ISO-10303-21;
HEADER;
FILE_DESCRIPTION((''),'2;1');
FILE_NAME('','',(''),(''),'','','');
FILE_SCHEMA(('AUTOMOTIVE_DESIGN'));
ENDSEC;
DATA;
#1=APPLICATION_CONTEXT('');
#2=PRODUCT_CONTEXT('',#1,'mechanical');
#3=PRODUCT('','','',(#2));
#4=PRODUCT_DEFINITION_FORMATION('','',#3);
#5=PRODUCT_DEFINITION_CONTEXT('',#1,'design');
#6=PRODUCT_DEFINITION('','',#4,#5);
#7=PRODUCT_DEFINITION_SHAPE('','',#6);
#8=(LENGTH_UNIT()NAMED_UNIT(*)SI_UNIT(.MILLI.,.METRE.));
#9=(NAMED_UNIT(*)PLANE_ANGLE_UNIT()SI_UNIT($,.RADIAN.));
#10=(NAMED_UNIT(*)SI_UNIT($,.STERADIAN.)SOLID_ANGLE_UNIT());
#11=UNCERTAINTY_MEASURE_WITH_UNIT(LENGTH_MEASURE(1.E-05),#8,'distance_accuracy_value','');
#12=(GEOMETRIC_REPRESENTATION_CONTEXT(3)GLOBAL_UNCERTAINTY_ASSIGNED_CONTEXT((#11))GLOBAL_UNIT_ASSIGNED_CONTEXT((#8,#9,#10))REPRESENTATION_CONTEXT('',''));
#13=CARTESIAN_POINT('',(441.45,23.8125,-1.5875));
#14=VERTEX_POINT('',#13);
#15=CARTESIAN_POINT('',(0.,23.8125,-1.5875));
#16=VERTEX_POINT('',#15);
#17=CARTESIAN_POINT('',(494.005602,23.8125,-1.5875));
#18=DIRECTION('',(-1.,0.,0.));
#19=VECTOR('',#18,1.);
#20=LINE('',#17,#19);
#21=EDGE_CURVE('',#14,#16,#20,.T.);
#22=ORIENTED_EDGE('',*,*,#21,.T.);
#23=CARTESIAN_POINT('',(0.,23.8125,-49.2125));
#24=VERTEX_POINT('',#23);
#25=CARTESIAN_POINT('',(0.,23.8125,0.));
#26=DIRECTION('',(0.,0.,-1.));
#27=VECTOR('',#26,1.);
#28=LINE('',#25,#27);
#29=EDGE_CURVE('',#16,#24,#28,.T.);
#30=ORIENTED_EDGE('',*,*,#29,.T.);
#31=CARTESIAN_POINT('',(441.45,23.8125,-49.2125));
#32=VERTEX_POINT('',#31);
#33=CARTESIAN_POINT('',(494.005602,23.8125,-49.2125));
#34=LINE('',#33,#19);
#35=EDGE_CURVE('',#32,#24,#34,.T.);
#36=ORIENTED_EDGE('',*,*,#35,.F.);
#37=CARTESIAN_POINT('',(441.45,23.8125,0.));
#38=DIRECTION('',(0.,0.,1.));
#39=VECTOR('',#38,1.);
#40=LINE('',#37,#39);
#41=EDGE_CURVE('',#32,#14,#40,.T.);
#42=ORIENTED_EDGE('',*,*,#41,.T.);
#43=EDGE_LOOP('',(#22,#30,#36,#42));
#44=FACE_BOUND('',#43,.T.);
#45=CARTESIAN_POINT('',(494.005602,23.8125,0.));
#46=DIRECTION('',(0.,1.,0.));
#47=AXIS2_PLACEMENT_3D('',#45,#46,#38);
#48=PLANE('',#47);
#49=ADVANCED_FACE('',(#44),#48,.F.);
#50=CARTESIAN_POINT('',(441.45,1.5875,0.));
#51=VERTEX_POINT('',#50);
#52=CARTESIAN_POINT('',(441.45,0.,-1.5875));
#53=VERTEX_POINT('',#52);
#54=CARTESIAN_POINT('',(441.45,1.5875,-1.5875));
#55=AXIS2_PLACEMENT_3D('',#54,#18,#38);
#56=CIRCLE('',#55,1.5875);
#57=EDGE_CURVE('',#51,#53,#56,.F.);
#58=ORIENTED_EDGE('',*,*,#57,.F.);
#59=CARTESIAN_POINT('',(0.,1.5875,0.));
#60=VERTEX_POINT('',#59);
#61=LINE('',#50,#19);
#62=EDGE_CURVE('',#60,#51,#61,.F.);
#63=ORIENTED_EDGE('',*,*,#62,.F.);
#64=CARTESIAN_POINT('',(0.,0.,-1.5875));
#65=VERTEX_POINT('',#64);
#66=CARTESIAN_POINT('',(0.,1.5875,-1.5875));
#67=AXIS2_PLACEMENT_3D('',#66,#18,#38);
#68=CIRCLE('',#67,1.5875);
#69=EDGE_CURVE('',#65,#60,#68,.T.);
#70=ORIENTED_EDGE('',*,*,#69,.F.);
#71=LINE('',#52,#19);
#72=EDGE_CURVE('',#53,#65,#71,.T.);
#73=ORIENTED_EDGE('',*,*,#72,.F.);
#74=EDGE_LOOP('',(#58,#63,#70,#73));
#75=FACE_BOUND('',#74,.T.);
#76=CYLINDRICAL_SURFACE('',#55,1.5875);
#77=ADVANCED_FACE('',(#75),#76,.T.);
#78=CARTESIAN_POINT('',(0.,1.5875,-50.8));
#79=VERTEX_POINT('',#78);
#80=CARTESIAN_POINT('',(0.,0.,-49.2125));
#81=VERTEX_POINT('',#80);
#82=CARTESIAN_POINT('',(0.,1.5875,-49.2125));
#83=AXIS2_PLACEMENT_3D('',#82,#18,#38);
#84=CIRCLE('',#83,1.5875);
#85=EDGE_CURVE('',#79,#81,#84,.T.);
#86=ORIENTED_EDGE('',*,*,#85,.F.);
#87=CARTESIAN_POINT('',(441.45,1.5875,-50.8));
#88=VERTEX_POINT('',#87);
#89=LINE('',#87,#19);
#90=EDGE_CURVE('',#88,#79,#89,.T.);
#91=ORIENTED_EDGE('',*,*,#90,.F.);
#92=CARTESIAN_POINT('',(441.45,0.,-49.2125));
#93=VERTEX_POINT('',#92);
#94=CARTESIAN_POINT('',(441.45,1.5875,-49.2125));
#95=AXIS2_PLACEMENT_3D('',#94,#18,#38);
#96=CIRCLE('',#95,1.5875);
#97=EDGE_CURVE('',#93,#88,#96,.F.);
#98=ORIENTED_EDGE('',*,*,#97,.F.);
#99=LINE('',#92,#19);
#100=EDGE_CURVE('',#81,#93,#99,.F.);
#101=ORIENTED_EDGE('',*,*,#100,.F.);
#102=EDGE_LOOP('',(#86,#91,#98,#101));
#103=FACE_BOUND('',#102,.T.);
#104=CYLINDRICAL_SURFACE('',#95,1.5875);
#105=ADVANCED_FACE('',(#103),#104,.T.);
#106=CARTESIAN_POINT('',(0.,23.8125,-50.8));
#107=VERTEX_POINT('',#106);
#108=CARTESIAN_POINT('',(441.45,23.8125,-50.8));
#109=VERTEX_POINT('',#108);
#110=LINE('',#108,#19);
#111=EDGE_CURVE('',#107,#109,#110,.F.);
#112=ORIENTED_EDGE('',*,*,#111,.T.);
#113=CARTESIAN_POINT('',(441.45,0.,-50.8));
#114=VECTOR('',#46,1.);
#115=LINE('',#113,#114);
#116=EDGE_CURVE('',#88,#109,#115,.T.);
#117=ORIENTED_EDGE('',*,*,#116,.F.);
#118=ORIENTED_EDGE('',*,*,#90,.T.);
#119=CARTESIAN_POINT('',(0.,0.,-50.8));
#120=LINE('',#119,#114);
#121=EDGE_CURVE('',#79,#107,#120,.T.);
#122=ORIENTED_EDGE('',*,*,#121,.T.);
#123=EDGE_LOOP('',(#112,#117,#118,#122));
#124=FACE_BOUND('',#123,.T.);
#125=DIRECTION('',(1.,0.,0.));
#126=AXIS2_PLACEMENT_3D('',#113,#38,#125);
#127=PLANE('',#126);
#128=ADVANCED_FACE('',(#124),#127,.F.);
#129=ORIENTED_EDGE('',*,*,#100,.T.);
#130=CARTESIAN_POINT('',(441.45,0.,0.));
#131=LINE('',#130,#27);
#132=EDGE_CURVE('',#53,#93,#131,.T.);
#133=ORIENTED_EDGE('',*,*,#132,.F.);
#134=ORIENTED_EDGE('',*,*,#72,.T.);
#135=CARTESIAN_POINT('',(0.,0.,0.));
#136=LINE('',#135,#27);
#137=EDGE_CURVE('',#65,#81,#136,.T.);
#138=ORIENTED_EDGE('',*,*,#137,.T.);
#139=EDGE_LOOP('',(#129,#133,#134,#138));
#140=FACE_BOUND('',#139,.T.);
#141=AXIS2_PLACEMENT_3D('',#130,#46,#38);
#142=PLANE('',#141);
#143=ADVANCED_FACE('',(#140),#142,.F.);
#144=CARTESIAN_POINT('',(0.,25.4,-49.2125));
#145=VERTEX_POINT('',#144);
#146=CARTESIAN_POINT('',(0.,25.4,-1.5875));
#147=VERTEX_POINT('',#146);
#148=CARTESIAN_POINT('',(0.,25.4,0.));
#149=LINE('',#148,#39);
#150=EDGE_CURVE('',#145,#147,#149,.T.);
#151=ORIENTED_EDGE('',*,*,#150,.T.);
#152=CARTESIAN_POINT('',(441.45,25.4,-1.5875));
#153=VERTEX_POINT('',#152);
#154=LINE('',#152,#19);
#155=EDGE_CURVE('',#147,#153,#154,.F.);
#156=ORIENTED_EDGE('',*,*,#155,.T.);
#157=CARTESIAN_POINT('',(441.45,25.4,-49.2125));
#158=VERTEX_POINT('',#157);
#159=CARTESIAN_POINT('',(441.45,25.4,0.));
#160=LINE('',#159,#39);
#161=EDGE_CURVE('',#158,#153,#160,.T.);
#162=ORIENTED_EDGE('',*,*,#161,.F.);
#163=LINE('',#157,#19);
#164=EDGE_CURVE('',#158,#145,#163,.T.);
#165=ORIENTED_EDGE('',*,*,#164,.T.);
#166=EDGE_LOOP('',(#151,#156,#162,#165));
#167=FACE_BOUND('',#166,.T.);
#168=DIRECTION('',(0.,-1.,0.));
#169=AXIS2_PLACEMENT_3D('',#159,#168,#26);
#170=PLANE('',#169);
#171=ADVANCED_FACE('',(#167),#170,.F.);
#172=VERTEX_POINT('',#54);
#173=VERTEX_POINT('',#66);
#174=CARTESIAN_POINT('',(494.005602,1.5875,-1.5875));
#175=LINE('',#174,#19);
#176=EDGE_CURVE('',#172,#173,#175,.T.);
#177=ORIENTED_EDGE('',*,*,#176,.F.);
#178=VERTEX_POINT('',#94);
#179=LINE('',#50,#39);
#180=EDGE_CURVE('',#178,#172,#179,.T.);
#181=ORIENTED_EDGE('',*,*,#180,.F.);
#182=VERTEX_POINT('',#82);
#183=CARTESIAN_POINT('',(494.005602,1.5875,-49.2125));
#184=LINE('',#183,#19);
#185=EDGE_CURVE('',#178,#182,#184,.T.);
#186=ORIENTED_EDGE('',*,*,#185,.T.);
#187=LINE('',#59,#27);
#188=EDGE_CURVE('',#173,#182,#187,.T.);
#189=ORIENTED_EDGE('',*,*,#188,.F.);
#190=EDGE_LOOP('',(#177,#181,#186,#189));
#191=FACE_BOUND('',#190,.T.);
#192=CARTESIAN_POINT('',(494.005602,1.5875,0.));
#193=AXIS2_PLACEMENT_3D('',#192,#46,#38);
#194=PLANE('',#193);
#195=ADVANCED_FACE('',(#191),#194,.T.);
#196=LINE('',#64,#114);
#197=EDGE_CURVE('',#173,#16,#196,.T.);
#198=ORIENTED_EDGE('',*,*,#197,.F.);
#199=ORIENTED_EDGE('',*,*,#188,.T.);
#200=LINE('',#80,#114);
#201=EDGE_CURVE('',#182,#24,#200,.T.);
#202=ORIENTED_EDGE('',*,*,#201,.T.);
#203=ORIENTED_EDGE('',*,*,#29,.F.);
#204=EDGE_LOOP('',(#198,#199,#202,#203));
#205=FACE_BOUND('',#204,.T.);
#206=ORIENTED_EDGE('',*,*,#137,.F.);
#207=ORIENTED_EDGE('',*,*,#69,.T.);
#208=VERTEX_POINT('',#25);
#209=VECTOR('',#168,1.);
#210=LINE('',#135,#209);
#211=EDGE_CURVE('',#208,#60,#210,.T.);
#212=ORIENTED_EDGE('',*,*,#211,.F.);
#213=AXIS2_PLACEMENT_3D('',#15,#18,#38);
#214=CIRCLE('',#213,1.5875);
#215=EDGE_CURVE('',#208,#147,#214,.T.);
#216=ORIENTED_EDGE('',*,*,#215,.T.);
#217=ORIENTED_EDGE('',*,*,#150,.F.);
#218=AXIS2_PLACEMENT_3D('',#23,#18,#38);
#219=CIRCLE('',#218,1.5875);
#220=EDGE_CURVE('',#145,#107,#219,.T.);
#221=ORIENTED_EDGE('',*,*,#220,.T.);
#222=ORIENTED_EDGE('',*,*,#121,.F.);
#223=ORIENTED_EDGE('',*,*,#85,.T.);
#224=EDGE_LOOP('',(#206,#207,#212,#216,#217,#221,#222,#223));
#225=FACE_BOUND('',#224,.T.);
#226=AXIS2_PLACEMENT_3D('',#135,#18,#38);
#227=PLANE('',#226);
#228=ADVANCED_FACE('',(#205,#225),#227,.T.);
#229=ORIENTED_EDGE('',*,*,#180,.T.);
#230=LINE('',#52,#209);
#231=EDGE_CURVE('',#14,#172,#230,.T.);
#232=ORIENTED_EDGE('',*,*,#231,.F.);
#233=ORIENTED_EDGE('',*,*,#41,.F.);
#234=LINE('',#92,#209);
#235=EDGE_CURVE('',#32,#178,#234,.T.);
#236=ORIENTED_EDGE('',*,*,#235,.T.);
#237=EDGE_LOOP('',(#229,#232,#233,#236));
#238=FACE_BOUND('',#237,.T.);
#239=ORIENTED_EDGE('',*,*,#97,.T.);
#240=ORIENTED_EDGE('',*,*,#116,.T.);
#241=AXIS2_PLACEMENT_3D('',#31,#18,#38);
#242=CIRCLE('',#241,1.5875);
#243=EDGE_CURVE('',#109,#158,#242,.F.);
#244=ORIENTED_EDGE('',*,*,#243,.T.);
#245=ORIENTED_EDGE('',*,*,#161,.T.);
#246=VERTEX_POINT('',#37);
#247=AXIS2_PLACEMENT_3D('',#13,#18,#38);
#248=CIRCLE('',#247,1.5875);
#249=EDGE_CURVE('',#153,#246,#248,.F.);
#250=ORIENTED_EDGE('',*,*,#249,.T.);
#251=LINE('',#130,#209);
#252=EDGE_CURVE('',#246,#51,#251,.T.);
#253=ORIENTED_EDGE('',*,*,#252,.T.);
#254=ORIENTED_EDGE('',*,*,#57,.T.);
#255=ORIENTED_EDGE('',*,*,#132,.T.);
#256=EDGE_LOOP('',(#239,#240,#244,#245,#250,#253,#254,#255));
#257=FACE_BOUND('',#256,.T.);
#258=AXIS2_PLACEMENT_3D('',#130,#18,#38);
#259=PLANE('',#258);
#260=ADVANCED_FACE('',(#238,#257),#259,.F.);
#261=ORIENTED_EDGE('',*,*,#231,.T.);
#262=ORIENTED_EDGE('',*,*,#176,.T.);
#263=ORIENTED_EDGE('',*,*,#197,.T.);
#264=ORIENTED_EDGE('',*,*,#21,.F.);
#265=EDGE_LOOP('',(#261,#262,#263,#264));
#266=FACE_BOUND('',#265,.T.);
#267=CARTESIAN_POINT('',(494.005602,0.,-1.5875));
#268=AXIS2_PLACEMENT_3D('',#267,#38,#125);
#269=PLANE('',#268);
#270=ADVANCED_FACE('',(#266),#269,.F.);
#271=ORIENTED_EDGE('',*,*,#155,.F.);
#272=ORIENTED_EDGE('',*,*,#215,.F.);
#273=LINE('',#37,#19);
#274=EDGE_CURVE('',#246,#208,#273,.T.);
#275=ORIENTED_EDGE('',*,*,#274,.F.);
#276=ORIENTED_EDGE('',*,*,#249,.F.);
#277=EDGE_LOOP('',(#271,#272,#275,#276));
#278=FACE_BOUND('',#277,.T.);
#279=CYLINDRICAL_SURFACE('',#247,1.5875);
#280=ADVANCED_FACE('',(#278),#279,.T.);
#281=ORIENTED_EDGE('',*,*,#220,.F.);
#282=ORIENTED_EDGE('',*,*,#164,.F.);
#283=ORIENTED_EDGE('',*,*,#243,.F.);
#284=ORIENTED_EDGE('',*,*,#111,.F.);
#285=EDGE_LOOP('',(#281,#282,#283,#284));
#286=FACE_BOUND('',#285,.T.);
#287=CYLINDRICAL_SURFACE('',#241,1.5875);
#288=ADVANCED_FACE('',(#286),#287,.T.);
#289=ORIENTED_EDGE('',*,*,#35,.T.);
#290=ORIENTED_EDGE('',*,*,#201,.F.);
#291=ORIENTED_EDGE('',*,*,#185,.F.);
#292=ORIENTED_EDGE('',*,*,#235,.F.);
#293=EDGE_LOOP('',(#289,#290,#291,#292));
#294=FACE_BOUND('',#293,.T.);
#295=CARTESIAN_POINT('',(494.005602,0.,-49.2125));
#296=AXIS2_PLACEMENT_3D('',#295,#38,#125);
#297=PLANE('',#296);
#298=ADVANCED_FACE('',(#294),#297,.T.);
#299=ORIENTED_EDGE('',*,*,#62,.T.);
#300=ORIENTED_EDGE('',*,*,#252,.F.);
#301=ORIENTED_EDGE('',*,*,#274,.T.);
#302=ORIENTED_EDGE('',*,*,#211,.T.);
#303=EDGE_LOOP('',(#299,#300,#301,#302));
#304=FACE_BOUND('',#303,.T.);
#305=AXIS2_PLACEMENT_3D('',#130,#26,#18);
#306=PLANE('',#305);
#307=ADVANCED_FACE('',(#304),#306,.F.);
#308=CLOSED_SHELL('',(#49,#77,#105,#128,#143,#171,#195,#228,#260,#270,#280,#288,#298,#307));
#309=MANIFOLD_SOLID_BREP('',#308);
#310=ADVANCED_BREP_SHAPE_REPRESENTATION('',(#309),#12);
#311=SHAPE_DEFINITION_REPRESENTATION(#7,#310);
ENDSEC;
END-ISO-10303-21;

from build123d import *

# Parameters (mm, degrees)
SKETCH1_W           = 50.8
SKETCH1_H           = 25.4
BOSS_EXTRUDE1_DEPTH = 441.450000004
SKETCH2_W           = 47.625
SKETCH2_H           = 22.225
CUT_EXTRUDE1_DEPTH  = 441.45
FILLET1_R           = 1.5875


with BuildPart() as part:
    # Sketch1 → Boss-Extrude1 (new body)
    with BuildSketch(Plane(origin=(0, 0, 0), x_dir=(0, 0, -1), z_dir=(1, 0, 0))):
        with Locations((25.4, 12.7)):
            Rectangle(SKETCH1_W, SKETCH1_H)
    extrude(amount=BOSS_EXTRUDE1_DEPTH)

    # Sketch2 → Cut-Extrude1 (cut)
    with BuildSketch(Plane.ZY):
        with Locations((-25.4, 12.7)):
            Rectangle(SKETCH2_W, SKETCH2_H)
    extrude(amount=-CUT_EXTRUDE1_DEPTH, mode=Mode.SUBTRACT)

    # Fillet1
    fillet1_edges = [part.edges().sort_by_distance(p)[0] for p in [
        (220.725000002, 25.4, 0),
        (220.725000002, 25.4, -50.8),
        (220.725000002, 0, -50.8),
        (220.725000002, 0, 0),
    ]]
    fillet(fillet1_edges, radius=FILLET1_R)


solid = part.part
